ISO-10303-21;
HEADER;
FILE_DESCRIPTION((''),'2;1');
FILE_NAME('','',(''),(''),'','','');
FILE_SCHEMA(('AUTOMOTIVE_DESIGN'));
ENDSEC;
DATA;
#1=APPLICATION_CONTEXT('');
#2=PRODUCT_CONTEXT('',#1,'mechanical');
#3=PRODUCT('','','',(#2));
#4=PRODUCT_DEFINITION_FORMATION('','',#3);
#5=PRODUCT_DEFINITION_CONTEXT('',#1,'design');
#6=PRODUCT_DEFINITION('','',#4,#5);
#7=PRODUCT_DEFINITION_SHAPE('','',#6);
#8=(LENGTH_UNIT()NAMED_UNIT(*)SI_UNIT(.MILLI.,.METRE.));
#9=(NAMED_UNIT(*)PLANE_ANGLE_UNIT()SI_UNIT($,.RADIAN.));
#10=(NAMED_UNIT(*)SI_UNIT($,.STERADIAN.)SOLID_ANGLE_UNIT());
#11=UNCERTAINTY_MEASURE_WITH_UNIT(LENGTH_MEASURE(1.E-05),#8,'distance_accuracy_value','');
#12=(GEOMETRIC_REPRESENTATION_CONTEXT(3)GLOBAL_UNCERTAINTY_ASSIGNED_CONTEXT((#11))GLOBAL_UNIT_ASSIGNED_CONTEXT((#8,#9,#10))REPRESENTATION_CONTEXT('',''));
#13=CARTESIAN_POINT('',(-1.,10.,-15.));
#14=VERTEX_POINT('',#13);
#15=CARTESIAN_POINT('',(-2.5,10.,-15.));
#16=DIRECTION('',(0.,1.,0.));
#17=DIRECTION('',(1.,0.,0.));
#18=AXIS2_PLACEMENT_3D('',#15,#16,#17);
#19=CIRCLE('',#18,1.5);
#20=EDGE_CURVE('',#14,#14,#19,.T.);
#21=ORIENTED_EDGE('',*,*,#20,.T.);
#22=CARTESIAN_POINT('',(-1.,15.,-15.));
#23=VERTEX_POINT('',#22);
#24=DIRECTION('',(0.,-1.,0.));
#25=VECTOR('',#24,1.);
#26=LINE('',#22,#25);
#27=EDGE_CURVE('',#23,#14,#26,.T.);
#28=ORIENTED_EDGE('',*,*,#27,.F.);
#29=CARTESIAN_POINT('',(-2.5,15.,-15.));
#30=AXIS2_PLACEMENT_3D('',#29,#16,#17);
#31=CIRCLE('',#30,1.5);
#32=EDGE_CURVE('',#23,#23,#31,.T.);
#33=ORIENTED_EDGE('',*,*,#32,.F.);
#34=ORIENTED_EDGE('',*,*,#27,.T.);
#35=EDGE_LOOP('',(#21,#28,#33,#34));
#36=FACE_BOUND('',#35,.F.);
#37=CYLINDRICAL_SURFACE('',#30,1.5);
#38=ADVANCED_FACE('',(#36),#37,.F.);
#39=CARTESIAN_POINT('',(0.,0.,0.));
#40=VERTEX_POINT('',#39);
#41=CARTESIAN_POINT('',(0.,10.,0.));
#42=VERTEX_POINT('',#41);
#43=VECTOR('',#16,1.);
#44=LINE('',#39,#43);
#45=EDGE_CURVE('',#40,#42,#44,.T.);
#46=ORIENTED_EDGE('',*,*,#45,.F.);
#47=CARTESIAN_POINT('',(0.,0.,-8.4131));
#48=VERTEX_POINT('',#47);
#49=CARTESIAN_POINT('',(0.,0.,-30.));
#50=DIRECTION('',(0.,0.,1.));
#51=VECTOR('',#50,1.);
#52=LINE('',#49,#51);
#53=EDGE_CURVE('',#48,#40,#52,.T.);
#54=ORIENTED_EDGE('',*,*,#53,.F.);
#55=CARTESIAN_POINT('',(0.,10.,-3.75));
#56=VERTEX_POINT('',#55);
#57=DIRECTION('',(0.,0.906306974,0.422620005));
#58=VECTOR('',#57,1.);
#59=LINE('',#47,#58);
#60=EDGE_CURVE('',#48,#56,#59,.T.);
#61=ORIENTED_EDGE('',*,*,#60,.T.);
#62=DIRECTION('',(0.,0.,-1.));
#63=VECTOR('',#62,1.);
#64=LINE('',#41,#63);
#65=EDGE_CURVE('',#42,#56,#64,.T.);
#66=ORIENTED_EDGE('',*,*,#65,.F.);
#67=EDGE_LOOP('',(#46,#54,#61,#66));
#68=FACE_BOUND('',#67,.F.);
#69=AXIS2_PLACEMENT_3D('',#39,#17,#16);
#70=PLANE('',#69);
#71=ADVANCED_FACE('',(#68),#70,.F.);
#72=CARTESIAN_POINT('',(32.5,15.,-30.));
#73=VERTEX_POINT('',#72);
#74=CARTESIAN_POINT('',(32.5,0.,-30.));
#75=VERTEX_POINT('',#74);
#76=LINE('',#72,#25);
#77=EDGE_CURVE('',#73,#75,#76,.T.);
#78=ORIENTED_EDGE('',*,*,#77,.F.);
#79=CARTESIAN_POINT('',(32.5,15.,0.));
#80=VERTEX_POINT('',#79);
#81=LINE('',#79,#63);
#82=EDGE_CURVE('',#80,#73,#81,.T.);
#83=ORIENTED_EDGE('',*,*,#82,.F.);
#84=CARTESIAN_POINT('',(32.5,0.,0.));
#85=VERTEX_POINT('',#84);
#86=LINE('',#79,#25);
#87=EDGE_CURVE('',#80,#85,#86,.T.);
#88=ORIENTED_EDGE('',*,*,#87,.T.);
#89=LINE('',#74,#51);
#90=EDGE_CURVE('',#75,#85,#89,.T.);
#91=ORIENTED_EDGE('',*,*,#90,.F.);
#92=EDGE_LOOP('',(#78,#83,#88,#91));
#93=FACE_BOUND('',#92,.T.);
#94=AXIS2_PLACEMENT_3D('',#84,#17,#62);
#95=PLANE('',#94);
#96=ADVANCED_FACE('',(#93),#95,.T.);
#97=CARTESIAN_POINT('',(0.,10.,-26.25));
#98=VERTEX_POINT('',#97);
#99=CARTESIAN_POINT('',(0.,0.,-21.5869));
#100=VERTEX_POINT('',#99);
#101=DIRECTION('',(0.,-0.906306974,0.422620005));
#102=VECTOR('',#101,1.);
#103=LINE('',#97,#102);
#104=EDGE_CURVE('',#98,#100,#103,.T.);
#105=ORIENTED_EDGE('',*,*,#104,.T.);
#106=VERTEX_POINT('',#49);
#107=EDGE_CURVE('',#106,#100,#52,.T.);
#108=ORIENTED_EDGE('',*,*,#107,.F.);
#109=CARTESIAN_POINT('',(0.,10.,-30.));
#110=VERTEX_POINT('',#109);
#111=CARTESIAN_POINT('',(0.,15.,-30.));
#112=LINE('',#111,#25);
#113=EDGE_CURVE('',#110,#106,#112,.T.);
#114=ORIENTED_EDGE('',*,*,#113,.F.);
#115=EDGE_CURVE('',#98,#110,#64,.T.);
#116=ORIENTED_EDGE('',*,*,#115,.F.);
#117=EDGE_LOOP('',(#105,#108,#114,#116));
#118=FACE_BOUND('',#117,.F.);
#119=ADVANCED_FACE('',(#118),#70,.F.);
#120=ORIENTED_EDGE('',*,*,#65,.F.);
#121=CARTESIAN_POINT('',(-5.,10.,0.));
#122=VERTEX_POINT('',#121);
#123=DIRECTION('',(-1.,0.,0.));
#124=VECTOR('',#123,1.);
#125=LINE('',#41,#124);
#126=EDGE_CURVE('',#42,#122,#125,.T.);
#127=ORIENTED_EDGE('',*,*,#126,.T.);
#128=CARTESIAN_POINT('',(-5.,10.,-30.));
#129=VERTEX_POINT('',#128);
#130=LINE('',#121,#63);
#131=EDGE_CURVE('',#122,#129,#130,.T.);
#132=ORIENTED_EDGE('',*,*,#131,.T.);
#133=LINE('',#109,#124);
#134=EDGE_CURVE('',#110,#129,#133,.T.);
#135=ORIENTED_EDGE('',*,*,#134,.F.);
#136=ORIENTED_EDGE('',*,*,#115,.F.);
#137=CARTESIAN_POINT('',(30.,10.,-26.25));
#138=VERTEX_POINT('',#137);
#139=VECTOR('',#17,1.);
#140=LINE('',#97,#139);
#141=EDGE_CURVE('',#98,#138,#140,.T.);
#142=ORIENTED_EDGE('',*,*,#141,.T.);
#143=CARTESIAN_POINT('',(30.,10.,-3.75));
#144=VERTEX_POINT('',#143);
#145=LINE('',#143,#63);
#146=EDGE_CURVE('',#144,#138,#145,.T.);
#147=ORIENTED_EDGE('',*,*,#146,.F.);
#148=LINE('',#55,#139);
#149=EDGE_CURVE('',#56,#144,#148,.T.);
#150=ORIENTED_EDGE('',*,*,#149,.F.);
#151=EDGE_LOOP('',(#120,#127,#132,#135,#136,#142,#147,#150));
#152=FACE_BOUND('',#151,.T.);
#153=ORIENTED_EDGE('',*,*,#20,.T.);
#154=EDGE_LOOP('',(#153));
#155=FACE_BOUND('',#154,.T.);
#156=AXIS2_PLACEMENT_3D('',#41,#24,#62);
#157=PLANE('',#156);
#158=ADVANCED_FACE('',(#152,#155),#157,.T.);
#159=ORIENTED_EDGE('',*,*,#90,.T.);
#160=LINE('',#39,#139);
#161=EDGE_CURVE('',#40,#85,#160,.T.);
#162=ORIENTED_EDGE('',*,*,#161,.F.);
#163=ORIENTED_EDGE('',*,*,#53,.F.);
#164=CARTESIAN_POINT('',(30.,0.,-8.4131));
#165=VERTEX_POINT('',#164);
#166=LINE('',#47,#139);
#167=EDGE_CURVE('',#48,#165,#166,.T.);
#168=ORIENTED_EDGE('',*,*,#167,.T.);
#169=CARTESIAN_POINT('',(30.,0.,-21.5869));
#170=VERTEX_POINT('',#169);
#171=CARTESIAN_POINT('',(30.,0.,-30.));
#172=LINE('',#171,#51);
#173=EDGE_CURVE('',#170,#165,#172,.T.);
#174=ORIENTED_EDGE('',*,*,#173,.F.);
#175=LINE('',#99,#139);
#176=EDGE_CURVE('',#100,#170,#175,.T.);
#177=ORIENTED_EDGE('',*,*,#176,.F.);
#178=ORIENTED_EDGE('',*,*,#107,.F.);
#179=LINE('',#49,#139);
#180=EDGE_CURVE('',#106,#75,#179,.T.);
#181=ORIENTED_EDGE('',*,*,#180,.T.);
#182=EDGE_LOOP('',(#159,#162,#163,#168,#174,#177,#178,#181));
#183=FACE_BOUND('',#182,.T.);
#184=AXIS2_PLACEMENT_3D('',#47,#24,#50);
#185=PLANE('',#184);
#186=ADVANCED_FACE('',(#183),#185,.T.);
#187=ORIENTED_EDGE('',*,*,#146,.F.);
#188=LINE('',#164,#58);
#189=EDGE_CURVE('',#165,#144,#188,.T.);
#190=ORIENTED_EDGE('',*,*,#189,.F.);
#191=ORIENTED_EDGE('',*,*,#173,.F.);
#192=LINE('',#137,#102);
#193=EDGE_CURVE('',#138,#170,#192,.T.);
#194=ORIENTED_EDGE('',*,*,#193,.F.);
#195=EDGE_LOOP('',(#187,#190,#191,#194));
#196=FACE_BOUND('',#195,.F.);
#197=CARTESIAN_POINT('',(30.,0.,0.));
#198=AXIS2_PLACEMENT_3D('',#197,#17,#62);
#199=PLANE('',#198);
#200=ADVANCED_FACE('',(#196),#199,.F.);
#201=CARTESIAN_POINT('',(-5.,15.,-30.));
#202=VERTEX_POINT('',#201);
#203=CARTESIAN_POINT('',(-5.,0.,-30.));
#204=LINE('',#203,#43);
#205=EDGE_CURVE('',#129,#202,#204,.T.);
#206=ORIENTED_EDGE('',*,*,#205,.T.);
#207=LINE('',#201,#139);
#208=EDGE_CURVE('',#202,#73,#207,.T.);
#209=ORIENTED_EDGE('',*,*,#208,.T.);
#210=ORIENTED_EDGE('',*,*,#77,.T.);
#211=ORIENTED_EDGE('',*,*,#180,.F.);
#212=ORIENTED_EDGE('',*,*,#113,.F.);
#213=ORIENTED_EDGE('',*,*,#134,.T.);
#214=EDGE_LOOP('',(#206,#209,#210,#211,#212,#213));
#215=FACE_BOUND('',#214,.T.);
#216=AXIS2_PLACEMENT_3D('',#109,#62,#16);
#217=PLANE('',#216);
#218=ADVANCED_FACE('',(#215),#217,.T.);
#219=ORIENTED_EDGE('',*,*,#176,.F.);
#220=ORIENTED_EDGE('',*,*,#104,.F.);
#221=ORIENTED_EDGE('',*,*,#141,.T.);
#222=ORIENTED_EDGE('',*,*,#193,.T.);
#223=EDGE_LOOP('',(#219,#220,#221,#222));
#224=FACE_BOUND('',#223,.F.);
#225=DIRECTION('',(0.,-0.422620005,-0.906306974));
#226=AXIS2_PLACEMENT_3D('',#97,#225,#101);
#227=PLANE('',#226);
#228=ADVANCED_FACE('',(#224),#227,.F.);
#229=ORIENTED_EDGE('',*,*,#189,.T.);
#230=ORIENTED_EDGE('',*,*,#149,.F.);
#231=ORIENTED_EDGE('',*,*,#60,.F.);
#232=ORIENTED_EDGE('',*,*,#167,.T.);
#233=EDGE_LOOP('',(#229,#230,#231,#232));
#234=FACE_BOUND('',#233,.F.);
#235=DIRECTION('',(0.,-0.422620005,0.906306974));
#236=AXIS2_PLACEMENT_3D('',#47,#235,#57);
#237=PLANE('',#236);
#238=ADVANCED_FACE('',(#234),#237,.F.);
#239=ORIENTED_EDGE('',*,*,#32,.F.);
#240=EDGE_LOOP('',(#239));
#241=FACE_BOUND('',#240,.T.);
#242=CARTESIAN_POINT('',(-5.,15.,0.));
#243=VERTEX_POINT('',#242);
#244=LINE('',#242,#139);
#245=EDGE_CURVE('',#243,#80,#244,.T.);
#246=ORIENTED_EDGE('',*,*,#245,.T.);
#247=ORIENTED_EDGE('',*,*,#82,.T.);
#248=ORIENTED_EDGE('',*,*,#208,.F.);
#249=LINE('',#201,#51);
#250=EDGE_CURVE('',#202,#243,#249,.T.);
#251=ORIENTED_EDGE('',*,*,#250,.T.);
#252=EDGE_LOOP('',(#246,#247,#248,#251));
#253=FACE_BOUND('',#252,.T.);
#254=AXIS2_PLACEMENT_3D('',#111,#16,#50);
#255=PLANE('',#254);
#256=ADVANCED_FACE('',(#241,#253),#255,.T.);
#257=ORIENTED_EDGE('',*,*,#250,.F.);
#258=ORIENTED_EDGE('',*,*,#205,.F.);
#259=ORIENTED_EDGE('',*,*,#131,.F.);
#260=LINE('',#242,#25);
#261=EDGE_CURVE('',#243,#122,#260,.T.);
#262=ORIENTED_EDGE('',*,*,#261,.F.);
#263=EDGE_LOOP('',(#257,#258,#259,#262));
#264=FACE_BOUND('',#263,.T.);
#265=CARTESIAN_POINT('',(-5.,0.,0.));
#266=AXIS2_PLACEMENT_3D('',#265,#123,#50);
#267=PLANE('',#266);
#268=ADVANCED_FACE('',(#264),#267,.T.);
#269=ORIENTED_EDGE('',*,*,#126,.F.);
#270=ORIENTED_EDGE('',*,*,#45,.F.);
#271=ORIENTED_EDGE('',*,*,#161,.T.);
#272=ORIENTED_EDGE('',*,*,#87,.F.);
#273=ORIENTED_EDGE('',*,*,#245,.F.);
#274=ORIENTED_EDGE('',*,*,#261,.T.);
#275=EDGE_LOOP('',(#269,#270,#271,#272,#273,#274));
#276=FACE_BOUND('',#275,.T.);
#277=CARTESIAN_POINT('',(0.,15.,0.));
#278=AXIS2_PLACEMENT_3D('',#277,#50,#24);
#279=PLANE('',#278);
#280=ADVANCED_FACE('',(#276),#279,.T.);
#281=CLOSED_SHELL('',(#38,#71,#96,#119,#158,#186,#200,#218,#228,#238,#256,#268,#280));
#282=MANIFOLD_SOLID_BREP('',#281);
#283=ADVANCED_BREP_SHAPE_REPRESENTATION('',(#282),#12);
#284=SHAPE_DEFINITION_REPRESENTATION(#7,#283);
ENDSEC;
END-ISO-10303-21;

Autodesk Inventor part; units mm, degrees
ref_plane "YZ Plane" through (0, 0, 0) normal (1, 0, 0) x (0, 1, 0)
ref_plane "XZ Plane" through (0, 0, 0) normal (0, 1, 0) x (-1, 0, 0)
ref_plane "XY Plane" through (0, 0, 0) normal (0, 0, 1) x (1, 0, 0)
sketch "Sketch1" plane through (0, 0, 0) normal (1, 0, 0) x (0, 1, 0)
  line L0 (0, 0) -> (15, 0)
  line L1 (15, 0) -> (15, -30)
  line L2 (15, -30) -> (0, -30)
  line L3 (0, -30) -> (0, 0)
  line L4 (0, -8.4131) -> (10, -3.75)
  line L5 (10, -3.75) -> (10, -26.25)
  line L6 (10, -26.25) -> (0, -21.5869)
  point P0 (10, -15)
  point P1 (0, -15)
  dimension "d0" = 15
  dimension "d1" = 30
  dimension "d2" = 10
  dimension "d3" = 22.5
  dimension "d4" = 65
  dimension "d5" = 65
extrude "Extrusion1" add sketch "Sketch1" along normal blind 30 contours L0 L1 L2 L3 L6 L5 L4
sketch "Sketch2" plane through (30, 0, 0) normal (1, 0, 0) x (0, 0, -1)
  line L0 (0, 15) -> (0, 0) projected
  line L1 (21.5869, 0) -> (30, 0) projected
  line L2 (0, 15) -> (30, 15)
  line L3 (30, 15) -> (30, 0)
  line L4 (30, 0) -> (0, 0)
  line L5 (0, 0) -> (0, 15)
extrude "Extrusion2" add sketch "Sketch2" along normal blind 2.5
sketch "Sketch3" plane through (0, 0, 0) normal (-1, 0, 0) x (0, 0, 1)
  line L0 (-30, 0) -> (-30, 15) projected
  line L1 (0, 15) -> (0, 0) projected
  line L2 (-30, 15) -> (0, 15)
  line L3 (0, 15) -> (0, 10)
  line L4 (0, 10) -> (-30, 10)
  line L5 (-30, 10) -> (-30, 15)
  dimension "d10" = 5
extrude "Extrusion3" add sketch "Sketch3" along normal blind 5
sketch "Sketch4" plane through (32.5, 15, 0) normal (0, 1, 0) x (1, 0, 0)
  line L0 (-32.5, 0) -> (-37.5, 0) projected
  line L1 (-32.5, 0) -> (-32.5, 30) construction
  circle A0 centre (-35, 15) radius 1.5
  dimension "d13" = 3
extrude "Extrusion4" cut sketch "Sketch4" against normal through all
properties part number "Top Sensor Mount"
